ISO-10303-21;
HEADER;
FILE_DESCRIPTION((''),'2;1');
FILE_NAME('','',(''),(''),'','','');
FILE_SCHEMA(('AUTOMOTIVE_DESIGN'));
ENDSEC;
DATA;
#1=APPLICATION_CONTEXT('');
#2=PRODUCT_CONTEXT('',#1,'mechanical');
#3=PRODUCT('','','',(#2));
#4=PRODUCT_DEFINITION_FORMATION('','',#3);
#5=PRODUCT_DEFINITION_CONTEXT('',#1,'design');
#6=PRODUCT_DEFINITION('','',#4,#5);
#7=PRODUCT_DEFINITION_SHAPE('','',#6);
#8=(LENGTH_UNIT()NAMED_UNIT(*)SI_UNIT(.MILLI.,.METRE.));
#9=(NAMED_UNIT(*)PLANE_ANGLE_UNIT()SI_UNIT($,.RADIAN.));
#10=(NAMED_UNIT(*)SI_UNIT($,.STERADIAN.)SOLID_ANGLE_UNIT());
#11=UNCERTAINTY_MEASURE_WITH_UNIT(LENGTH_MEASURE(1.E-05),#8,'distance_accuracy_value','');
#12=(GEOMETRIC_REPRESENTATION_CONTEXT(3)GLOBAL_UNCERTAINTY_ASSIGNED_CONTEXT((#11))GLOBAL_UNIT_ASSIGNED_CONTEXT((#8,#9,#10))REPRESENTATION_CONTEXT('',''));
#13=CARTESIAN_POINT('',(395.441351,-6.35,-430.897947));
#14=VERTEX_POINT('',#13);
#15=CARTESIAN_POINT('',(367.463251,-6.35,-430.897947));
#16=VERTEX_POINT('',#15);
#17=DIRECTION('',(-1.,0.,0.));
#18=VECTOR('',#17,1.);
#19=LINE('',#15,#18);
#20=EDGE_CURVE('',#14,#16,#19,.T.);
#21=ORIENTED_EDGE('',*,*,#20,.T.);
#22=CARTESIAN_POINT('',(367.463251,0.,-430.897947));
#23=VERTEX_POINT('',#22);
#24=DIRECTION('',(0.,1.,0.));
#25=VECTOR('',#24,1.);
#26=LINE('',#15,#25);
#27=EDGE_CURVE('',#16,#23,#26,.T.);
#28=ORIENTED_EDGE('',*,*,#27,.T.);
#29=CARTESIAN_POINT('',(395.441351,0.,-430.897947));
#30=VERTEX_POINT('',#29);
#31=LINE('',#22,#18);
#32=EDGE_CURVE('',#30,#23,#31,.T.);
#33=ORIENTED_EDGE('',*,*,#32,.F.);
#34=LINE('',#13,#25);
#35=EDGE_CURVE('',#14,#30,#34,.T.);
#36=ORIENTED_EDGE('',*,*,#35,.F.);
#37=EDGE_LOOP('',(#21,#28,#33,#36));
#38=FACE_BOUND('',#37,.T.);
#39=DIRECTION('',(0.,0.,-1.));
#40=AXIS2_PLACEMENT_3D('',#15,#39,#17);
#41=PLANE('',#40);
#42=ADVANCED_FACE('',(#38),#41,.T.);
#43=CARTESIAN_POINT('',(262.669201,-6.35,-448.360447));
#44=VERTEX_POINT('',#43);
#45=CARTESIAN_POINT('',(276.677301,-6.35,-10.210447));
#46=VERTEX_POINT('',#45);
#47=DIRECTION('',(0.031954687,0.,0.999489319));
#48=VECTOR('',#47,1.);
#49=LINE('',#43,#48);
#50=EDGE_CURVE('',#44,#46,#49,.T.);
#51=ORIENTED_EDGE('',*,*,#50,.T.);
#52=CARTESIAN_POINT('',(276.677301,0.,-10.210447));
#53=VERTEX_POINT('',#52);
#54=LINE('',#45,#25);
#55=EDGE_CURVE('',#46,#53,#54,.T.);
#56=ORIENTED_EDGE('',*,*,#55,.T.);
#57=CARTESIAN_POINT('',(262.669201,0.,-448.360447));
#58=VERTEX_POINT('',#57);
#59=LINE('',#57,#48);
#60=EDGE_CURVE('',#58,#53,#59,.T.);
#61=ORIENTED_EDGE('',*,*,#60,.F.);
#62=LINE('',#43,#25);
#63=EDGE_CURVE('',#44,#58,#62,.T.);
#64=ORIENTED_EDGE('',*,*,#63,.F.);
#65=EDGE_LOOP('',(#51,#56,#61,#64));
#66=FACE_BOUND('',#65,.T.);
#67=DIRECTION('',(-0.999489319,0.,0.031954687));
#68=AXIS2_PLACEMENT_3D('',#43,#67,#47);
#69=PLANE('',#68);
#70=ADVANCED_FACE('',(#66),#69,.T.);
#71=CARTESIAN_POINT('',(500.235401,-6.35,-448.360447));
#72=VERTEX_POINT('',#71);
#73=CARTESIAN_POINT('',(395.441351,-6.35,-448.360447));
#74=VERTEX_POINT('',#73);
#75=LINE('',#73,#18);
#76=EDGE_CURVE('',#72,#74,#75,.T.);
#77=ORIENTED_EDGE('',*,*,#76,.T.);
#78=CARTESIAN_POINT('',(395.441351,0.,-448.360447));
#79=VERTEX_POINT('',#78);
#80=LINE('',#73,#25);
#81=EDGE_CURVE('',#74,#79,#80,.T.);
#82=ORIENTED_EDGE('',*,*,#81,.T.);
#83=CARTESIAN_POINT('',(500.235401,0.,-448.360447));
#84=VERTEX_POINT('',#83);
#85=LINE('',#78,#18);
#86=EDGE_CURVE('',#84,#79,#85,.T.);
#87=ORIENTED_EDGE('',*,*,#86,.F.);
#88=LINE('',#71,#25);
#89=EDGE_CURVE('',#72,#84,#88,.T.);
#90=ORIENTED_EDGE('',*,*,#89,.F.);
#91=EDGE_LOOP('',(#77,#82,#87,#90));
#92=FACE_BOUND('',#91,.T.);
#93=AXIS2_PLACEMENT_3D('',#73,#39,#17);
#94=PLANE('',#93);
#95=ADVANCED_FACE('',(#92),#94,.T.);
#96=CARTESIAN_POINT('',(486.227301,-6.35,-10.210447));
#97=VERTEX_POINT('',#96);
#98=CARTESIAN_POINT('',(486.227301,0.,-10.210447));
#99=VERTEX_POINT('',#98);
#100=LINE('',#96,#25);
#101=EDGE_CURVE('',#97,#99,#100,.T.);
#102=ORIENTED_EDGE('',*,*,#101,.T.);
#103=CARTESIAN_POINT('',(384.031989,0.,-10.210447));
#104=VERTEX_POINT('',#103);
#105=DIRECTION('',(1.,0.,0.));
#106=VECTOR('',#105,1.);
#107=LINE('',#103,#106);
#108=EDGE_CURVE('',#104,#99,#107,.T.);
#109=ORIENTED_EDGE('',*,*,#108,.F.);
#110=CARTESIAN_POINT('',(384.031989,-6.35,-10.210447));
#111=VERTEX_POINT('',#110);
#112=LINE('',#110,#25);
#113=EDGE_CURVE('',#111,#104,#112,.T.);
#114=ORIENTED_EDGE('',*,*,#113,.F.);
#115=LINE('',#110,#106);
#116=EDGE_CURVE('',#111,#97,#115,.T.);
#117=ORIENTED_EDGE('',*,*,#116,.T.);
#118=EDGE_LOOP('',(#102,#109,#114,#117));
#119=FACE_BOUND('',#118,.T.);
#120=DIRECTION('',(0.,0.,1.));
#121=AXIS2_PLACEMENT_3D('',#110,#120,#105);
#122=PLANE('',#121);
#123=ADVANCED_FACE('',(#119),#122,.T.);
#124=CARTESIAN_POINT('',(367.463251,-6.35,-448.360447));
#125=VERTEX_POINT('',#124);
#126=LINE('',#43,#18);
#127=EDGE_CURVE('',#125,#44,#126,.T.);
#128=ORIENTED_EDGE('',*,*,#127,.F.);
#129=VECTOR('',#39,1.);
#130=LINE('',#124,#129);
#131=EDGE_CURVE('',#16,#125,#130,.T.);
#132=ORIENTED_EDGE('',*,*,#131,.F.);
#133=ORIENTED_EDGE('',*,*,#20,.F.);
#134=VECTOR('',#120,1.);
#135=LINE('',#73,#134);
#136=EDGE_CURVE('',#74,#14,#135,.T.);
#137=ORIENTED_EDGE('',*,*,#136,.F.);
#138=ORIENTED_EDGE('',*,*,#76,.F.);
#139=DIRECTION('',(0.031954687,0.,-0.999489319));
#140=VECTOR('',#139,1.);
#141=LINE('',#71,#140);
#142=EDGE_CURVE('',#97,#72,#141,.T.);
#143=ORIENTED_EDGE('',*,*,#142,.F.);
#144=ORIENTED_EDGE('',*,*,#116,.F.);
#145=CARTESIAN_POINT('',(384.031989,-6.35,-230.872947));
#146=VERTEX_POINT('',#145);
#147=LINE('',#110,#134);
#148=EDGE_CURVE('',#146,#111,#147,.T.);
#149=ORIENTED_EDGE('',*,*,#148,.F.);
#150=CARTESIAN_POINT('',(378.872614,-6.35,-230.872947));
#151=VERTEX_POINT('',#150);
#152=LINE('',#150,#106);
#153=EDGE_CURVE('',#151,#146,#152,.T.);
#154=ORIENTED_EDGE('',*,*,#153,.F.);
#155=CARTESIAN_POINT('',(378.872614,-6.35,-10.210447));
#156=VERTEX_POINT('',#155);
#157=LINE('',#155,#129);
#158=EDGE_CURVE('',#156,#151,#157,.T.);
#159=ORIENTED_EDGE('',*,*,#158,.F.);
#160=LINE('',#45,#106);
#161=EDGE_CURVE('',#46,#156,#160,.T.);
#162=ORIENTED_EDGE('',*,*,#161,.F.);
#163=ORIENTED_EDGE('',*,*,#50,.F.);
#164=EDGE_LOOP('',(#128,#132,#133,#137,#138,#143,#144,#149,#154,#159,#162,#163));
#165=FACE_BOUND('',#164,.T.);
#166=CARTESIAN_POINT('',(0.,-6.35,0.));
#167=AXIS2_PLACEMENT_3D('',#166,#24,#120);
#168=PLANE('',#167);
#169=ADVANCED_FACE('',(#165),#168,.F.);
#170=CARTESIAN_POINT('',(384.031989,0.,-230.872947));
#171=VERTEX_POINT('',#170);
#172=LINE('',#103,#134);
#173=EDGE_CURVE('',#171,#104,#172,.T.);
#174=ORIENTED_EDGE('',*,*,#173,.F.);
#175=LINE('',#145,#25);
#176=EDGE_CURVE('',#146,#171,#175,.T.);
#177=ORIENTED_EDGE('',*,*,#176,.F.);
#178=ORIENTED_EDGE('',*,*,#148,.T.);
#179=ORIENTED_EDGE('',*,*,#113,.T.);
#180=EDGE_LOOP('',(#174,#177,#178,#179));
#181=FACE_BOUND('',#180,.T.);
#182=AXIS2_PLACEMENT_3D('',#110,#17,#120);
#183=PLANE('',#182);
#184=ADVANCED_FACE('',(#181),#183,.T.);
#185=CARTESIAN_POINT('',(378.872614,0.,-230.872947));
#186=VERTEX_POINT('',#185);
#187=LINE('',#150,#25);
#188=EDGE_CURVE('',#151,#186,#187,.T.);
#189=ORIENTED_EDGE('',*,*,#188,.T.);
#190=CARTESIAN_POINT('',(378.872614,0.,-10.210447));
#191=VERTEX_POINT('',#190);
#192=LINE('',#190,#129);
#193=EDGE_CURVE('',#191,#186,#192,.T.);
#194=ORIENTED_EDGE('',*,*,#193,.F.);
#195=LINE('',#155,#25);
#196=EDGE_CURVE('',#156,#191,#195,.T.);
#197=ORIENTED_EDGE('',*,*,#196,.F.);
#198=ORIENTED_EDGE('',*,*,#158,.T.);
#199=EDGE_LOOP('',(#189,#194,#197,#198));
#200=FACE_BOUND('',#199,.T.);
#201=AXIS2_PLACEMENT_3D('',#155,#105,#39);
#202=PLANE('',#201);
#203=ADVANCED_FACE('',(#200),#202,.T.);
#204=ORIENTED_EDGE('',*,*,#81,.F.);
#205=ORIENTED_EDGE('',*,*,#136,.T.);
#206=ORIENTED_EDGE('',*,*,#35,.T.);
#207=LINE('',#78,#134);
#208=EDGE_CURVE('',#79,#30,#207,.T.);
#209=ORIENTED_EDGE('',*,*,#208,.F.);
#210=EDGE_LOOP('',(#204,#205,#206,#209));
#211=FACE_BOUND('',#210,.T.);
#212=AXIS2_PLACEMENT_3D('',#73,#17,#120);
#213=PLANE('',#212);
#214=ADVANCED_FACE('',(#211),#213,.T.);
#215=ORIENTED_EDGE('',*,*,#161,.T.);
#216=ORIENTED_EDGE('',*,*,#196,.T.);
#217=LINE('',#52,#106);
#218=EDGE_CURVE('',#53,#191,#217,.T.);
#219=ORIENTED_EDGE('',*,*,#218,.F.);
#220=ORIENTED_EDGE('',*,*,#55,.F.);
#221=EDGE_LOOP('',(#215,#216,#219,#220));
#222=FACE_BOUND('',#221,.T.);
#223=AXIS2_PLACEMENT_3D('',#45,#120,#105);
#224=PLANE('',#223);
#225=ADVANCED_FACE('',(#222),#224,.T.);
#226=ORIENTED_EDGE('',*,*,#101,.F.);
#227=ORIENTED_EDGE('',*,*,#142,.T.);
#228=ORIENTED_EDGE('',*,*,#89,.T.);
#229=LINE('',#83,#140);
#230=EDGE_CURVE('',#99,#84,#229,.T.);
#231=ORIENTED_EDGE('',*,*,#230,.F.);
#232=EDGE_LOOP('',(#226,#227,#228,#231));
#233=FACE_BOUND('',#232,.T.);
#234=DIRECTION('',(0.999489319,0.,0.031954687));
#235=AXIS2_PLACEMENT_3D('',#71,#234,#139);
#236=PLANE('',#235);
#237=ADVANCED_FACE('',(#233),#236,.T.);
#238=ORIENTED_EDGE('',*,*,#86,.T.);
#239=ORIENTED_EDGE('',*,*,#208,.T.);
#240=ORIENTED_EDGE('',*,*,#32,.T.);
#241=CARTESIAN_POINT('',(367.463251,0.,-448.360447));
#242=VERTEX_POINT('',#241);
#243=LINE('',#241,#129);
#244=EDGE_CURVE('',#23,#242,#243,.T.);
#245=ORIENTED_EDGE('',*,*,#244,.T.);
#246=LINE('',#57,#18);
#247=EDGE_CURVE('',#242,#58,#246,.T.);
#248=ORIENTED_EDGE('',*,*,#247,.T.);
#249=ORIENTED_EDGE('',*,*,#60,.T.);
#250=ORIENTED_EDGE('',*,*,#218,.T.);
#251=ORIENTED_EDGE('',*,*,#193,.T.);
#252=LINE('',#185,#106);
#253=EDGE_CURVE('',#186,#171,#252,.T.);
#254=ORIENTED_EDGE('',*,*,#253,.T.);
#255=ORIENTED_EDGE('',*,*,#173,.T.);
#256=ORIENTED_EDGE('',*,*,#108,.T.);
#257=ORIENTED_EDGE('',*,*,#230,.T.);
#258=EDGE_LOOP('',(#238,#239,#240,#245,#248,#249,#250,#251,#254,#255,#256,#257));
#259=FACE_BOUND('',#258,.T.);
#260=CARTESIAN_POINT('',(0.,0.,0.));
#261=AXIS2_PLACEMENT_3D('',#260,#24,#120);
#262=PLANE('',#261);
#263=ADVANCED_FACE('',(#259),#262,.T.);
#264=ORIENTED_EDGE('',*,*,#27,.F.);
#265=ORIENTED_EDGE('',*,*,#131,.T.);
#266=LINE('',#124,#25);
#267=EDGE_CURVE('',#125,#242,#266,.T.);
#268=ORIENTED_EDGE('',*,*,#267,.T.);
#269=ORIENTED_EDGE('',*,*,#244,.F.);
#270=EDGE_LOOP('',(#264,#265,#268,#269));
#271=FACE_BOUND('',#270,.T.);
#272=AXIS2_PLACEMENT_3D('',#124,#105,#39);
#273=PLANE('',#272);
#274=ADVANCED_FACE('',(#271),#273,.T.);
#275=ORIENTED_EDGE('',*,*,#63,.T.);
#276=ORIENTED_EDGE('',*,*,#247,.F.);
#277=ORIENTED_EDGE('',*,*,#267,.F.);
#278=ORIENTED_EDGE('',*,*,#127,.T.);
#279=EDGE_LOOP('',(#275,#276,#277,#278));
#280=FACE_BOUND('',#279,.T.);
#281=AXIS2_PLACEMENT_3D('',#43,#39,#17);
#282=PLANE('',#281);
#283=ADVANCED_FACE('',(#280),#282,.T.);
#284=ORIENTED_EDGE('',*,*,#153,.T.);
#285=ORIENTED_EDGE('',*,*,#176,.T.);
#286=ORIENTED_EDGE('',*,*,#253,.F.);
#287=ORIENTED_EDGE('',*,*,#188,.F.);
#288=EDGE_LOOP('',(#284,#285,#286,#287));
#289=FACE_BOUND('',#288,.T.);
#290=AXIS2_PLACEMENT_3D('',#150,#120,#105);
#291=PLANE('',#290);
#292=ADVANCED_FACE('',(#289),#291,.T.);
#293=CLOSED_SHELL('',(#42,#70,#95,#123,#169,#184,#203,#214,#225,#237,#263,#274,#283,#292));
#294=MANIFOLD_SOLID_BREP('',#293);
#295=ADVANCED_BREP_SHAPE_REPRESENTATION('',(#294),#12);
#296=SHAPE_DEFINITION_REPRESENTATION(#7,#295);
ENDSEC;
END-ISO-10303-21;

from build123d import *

# Parameters (mm, degrees)
BOSS_EXTRUDE1_DEPTH = 6.35


with BuildPart() as part:
    # Sketch1 → Boss-Extrude1 (new body)
    with BuildSketch(Plane(origin=(0, 0, 0), x_dir=(1, 0, 0), z_dir=(0, 1, 0))):
        Polygon((262.669201475, 448.360447089), (367.463251475, 448.360447089), (367.463251475, 430.897947089), (395.441351475, 430.897947089), (395.441351475, 448.360447089), (500.235401475, 448.360447089), (486.227301475, 10.210447089), (384.031988975, 10.210447089), (384.031988975, 230.872947089), (378.872613975, 230.872947089), (378.872613975, 10.210447089), (276.677301475, 10.210447089), align=None)
    extrude(amount=-BOSS_EXTRUDE1_DEPTH)


solid = part.part
